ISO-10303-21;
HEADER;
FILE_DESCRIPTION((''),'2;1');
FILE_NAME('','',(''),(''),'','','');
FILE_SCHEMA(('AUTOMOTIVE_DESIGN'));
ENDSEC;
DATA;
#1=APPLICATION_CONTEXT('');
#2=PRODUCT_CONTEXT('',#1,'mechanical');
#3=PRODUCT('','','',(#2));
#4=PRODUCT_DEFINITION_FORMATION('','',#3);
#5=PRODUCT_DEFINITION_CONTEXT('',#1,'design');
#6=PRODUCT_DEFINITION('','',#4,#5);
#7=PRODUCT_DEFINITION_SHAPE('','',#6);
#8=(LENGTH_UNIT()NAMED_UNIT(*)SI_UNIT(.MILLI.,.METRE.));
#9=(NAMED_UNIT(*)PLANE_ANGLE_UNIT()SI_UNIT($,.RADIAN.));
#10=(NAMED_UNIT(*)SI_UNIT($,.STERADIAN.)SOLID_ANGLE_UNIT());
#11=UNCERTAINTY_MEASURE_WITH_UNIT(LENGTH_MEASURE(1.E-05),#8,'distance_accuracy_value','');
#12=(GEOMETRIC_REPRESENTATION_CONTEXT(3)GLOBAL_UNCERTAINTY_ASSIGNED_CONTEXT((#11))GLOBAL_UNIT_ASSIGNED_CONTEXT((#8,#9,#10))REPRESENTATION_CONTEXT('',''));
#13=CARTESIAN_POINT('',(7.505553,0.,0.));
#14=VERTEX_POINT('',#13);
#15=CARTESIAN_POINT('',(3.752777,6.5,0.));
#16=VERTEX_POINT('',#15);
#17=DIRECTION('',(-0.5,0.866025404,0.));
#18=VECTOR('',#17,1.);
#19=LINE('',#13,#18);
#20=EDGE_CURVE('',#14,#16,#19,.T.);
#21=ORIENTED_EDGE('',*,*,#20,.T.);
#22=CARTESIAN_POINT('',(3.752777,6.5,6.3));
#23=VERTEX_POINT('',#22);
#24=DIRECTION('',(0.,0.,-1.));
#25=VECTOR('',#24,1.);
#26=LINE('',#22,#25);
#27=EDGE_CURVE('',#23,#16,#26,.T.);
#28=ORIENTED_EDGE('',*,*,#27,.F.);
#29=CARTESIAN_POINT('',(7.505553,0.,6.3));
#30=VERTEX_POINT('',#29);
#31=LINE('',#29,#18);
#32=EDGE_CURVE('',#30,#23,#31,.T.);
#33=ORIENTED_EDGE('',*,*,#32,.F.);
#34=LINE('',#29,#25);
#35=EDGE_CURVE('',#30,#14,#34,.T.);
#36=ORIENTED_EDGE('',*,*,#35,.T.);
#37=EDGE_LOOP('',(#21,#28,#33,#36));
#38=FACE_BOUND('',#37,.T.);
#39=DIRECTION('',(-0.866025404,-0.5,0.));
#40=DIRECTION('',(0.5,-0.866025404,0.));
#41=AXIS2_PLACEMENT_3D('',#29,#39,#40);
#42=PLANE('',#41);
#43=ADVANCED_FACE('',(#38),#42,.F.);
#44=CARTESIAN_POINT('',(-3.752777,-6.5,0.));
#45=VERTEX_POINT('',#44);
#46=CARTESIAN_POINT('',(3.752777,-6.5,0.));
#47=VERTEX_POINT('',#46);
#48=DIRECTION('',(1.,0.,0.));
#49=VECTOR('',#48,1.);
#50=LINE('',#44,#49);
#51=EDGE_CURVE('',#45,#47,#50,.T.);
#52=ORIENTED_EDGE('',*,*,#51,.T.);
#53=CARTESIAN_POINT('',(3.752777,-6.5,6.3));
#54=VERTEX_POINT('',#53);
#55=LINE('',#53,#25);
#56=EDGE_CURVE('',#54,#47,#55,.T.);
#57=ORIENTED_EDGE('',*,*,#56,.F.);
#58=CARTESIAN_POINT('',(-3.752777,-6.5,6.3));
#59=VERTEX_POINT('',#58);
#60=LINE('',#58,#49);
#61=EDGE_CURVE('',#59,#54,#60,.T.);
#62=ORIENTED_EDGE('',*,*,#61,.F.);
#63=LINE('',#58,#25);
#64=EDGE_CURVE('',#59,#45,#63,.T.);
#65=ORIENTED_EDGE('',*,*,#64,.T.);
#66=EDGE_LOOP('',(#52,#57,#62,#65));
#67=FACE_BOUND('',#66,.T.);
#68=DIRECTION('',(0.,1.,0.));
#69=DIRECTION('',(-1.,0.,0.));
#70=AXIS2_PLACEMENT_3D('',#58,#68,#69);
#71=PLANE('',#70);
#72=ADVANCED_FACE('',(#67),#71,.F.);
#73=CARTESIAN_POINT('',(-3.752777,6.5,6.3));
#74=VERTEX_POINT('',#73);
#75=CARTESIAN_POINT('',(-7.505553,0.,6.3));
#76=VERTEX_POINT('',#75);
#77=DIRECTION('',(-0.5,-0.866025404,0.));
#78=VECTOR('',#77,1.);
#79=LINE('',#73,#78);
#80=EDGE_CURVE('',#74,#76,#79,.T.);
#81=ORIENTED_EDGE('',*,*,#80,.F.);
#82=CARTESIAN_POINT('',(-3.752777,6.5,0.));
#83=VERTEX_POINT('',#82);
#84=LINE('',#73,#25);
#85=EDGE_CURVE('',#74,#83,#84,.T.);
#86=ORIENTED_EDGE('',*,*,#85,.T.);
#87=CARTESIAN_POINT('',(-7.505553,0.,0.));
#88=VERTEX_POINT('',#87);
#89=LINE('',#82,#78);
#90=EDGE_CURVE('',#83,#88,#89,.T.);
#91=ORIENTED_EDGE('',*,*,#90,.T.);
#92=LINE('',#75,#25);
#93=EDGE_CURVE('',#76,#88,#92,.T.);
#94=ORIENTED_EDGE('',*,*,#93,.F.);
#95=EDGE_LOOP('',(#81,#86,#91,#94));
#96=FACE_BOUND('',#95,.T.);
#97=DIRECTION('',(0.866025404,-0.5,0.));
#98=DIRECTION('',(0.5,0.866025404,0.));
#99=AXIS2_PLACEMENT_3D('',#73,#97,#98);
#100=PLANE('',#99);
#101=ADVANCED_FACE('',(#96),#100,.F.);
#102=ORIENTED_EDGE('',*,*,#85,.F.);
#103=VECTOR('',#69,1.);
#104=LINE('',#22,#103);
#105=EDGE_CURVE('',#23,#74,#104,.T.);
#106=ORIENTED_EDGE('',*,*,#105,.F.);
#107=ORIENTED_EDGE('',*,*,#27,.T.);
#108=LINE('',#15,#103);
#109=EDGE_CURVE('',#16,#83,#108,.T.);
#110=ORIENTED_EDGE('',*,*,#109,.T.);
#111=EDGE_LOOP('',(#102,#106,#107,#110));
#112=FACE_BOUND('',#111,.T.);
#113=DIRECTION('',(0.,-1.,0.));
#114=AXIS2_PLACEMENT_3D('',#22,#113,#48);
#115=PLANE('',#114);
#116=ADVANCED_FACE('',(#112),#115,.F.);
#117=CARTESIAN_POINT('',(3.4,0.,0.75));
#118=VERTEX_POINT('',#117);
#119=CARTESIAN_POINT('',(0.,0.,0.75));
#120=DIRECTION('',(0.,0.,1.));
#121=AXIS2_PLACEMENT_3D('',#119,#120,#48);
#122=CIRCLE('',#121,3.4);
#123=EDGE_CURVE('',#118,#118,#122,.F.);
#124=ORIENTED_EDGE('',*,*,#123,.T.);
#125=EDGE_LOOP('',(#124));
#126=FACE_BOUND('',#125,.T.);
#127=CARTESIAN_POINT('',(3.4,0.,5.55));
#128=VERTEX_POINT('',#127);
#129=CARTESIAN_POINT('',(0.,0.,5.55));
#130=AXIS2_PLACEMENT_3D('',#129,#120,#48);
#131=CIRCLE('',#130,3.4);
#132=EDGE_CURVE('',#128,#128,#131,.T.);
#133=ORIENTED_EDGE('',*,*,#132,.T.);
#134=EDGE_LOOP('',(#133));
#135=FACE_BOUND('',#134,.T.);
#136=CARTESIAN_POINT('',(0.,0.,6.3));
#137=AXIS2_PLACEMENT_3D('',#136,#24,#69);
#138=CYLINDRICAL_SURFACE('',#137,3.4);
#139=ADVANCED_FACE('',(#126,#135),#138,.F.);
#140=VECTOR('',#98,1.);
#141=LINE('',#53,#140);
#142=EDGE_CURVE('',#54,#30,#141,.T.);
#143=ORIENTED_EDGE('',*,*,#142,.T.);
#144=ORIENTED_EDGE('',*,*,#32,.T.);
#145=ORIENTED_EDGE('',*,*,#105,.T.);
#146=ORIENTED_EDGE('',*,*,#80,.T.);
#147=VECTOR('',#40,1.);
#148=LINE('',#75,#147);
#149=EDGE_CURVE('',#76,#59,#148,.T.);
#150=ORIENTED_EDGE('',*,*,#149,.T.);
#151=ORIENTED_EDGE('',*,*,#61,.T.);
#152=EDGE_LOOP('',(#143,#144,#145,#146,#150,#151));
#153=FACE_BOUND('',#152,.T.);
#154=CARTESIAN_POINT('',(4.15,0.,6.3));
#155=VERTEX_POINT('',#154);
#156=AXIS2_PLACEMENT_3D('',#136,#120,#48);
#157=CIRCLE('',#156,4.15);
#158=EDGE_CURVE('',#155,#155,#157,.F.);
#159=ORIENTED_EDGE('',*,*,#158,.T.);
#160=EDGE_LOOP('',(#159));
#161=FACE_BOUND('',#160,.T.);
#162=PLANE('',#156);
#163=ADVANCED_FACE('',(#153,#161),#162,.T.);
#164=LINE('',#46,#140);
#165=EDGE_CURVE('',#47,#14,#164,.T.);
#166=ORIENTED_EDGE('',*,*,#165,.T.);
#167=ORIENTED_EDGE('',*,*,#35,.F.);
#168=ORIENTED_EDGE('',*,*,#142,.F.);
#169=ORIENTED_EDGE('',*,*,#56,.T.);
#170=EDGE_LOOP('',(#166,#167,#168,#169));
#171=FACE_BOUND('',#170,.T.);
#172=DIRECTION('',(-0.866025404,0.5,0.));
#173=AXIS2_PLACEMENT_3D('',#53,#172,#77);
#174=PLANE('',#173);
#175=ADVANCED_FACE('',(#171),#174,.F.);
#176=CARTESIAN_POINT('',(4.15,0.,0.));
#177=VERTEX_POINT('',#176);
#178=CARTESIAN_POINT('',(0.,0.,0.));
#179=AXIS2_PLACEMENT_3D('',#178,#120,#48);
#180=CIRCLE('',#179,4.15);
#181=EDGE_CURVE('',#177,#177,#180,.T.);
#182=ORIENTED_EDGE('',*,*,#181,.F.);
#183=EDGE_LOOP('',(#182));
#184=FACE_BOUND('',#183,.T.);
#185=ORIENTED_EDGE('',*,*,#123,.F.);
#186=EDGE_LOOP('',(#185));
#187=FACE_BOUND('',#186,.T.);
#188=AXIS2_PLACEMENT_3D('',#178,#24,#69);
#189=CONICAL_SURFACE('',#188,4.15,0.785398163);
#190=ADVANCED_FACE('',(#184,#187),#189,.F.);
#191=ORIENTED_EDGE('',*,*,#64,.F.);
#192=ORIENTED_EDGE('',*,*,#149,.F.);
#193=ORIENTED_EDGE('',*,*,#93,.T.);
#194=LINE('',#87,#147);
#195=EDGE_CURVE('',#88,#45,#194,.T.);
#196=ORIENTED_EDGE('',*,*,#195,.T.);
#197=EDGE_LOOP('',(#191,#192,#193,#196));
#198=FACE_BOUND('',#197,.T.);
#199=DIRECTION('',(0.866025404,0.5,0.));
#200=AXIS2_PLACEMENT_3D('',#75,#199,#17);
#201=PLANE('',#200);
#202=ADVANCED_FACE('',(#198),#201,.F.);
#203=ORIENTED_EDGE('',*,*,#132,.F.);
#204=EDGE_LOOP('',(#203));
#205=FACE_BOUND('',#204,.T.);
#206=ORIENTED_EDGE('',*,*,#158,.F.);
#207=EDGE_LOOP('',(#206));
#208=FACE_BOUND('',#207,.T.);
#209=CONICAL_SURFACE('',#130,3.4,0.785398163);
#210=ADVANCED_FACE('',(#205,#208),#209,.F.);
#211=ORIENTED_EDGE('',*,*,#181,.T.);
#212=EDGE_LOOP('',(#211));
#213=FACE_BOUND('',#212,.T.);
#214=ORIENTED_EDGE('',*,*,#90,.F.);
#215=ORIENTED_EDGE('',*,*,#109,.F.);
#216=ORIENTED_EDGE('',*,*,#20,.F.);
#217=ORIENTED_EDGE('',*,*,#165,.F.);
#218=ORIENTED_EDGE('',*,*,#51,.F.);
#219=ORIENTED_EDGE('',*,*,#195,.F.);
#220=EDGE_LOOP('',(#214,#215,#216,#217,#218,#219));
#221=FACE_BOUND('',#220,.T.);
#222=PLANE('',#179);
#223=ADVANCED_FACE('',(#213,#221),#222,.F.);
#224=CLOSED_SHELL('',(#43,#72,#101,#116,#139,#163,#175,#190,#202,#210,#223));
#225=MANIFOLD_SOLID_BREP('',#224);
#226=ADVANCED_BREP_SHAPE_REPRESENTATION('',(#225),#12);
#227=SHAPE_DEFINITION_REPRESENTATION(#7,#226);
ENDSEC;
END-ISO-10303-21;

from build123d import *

# Parameters (mm, degrees)
SKETCH1_R           = 3.4
BOSS_EXTRUDE1_DEPTH = 6.3
CHAMFER1_SIZE       = 0.75


with BuildPart() as part:
    # Sketch1 → Boss-Extrude1 (new body)
    with BuildSketch(Plane.XY):
        Polygon((7.505553499, 0), (3.75277675, 6.5), (-3.75277675, 6.5), (-7.505553499, 0), (-3.75277675, -6.5), (3.75277675, -6.5), align=None)
        Circle(SKETCH1_R, mode=Mode.SUBTRACT)
    extrude(amount=BOSS_EXTRUDE1_DEPTH)

    # Chamfer1
    chamfer1_edges = [part.edges().sort_by_distance(p)[0] for p in [
        (-3.4, 0, 0),
        (-3.4, 0, 6.3),
    ]]
    chamfer(chamfer1_edges, length=CHAMFER1_SIZE)


solid = part.part
